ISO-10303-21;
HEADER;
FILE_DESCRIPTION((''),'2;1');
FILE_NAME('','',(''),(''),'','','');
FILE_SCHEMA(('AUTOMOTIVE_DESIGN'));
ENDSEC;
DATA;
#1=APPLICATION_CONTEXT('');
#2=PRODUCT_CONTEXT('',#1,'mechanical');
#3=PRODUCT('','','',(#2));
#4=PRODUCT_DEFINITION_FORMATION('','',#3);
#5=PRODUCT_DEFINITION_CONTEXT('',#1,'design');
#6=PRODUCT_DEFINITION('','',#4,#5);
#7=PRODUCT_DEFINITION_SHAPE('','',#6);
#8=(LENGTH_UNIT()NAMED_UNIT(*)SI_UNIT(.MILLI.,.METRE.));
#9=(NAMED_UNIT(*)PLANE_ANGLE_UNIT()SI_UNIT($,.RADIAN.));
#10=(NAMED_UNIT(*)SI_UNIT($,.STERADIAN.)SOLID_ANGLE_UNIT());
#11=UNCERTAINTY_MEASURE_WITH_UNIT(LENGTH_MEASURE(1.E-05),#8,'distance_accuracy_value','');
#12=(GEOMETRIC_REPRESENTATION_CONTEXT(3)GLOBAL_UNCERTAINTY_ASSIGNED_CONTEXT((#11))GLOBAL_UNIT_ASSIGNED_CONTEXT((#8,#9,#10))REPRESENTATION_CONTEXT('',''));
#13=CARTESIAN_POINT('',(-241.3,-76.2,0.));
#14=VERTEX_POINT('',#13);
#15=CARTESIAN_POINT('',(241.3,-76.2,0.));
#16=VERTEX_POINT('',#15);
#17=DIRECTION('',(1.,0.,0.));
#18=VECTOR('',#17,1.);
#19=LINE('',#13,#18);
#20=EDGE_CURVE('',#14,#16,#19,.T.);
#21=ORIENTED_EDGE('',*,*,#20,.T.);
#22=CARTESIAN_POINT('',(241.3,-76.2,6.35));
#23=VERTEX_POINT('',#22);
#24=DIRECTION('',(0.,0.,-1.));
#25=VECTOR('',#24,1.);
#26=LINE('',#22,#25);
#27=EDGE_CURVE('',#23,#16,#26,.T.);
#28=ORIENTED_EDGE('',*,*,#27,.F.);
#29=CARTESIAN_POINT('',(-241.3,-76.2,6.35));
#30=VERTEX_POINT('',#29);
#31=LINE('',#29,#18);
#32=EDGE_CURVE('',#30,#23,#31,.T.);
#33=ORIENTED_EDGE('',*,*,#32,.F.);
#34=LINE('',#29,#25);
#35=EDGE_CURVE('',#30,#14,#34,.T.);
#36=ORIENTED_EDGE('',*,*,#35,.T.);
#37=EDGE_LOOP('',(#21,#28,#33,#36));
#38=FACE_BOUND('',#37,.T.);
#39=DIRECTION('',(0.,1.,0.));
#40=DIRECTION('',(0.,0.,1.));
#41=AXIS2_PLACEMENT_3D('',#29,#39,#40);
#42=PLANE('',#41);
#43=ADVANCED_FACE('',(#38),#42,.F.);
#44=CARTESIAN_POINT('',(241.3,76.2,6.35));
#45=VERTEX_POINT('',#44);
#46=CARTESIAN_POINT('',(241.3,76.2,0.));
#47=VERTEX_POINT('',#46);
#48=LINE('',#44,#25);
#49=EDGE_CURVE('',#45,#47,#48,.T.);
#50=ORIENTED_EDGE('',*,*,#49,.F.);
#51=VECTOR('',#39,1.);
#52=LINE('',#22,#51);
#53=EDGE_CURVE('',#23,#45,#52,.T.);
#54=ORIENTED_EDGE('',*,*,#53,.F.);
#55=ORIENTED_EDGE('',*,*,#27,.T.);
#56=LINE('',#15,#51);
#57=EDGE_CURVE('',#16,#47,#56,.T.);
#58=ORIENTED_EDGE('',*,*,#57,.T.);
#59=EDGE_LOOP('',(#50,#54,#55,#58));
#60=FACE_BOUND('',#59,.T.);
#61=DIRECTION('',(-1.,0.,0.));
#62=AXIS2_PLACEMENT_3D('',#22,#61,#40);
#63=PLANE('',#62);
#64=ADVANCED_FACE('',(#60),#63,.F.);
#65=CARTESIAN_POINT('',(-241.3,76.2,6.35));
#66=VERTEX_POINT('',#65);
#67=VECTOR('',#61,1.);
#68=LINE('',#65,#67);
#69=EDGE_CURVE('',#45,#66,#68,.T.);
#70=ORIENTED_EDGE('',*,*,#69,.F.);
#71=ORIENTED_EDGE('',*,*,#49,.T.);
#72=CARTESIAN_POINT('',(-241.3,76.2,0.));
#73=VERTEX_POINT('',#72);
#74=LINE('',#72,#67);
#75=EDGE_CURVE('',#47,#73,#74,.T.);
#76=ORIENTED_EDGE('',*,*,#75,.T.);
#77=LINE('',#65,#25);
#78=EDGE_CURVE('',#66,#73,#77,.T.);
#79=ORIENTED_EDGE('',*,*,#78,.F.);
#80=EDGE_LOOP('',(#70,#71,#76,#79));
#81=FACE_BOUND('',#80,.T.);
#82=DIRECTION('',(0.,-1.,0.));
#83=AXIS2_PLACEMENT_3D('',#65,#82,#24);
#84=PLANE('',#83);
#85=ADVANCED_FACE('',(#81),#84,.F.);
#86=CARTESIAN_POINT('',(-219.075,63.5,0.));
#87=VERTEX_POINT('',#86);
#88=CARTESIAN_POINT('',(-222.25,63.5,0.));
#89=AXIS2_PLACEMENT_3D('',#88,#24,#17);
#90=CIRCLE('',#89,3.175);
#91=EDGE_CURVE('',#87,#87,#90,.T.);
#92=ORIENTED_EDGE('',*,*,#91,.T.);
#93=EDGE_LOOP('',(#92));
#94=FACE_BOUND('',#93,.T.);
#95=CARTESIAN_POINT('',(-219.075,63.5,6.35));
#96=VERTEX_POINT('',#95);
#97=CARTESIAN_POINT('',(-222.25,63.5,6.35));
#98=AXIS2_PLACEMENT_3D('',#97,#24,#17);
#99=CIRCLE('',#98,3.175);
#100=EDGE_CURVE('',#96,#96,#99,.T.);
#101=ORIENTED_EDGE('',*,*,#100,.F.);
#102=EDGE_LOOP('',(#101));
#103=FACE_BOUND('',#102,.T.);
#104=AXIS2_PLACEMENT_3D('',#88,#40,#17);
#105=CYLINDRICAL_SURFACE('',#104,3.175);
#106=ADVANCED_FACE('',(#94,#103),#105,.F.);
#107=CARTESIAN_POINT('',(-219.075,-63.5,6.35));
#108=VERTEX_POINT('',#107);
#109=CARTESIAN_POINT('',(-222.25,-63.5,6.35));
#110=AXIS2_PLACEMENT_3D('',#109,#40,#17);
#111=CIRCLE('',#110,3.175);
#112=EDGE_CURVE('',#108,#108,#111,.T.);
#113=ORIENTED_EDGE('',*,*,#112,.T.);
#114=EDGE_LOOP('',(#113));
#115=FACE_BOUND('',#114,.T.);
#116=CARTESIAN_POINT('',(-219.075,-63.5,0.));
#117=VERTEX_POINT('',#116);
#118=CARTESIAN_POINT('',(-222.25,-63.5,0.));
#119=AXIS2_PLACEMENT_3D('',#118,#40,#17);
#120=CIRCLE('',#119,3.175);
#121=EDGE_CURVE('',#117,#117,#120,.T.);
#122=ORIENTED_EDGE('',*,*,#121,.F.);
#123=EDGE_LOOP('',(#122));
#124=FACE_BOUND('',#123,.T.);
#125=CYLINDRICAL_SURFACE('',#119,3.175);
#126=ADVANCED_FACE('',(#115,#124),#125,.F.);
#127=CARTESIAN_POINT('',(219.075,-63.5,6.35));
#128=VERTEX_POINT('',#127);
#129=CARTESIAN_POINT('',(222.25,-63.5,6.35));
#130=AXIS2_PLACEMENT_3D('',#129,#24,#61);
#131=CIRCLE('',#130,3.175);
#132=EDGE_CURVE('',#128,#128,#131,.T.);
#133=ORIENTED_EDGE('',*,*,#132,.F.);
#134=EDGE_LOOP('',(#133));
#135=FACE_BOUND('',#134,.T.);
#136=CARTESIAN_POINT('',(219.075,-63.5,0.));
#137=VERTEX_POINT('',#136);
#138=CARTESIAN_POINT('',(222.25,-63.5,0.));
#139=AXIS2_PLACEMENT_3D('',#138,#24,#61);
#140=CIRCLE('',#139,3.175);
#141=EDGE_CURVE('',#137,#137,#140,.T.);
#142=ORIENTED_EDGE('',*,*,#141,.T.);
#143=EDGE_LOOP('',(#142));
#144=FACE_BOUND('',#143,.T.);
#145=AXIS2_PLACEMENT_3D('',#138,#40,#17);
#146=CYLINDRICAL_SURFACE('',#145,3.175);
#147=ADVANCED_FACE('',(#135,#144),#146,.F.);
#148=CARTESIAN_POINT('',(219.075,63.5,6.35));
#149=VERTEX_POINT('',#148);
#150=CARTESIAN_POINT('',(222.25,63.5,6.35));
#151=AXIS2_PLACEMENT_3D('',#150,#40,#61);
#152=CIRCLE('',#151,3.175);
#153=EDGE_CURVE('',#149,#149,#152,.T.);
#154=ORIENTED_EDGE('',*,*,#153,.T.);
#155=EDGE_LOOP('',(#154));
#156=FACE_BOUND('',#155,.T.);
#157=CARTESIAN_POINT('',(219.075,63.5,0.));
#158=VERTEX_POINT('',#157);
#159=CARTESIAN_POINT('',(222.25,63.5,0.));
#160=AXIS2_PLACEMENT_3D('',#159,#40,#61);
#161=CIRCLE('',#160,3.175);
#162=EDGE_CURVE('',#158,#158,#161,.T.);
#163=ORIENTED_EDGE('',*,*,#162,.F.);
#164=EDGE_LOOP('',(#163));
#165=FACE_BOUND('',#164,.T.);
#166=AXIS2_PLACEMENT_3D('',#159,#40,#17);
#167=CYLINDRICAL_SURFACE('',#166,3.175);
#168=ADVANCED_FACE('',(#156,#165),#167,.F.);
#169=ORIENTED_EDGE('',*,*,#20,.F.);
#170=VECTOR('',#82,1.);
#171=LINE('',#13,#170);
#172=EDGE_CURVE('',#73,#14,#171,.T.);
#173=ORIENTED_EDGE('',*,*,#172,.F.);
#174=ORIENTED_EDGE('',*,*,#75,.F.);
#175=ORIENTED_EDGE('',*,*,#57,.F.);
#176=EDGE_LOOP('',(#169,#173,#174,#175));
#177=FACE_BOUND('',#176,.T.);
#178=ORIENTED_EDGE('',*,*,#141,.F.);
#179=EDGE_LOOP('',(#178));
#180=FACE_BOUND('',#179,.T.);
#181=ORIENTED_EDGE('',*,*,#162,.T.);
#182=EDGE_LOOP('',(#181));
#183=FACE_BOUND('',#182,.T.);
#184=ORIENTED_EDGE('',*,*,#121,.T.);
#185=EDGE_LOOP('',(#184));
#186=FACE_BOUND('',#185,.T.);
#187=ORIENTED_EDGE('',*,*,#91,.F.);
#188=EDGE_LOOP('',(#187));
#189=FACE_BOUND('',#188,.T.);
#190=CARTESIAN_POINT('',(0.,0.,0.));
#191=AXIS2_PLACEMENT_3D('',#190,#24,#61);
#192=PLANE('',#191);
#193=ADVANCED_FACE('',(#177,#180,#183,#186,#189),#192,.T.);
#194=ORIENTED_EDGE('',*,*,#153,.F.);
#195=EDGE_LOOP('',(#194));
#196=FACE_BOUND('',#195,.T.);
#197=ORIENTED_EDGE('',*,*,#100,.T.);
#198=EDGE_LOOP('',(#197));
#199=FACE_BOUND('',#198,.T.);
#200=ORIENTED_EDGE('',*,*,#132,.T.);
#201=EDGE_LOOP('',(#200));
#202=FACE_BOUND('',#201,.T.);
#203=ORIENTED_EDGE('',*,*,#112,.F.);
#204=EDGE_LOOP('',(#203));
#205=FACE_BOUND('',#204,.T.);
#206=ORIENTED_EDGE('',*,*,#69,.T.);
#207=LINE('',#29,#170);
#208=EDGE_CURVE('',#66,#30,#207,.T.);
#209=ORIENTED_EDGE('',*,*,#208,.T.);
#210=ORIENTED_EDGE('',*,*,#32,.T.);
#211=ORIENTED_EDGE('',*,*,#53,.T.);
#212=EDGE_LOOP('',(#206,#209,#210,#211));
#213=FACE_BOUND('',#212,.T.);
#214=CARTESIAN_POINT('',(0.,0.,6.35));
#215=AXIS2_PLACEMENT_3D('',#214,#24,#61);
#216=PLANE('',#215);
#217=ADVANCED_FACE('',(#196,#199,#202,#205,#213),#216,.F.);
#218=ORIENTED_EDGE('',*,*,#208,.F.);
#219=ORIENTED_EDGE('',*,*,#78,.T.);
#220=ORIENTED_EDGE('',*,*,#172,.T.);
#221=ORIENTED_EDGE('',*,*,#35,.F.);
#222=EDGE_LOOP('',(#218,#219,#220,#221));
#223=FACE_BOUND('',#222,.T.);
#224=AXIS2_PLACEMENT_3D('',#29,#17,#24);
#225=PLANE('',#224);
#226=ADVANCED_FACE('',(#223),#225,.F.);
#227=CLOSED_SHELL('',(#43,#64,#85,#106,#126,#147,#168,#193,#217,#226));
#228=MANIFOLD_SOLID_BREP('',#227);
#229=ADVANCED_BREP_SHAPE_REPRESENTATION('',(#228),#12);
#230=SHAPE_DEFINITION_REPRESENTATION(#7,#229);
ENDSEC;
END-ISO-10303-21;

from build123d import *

# Parameters (mm, degrees)
SKETCH1_W                                  = 482.6
SKETCH1_H                                  = 152.4
BOSS_EXTRUDE1_DEPTH                        = 6.35
SKETCH2_R                                  = 3.175
CUT_EXTRUDE1_DEPTH                         = 254.125369136
MIRROR1_AT_THE_SECOND_PLANE_COPY_1_SKETC_R = 3.175
MIRROR1_AT_THE_SECOND_PLANE_COPY_1_DEPTH   = 254.125369136


with BuildPart() as part:
    # Sketch1 → Boss-Extrude1 (new body)
    with BuildSketch(Plane.XY):
        Rectangle(SKETCH1_W, SKETCH1_H)
    extrude(amount=BOSS_EXTRUDE1_DEPTH)

    # Sketch2 → Cut-Extrude1 (cut, through all)
    with BuildSketch(Plane.XY.offset(6.35)):
        with Locations((-222.25, -63.5)):
            Circle(SKETCH2_R)
    cut_extrude1 = extrude(amount=-CUT_EXTRUDE1_DEPTH, mode=Mode.SUBTRACT)

    # Mirror1: Cut-Extrude1 across plane
    add(cut_extrude1.mirror(Plane(origin=(0, 0, 0), x_dir=(0, 0, 1), z_dir=(1, 0, 0))), mode=Mode.SUBTRACT)

    # Mirror1 at the second plane: Cut-Extrude1 across plane
    add(cut_extrude1.mirror(Plane.ZX), mode=Mode.SUBTRACT)

    # Mirror1 at the second plane copy 1 sketc → Mirror1 at the second plane copy 1 (cut, through all)
    with BuildSketch(Plane(origin=(0, 0, 6.35), x_dir=(-1, 0, 0), z_dir=(0, 0, 1))):
        with Locations((-222.25, -63.5)):
            Circle(MIRROR1_AT_THE_SECOND_PLANE_COPY_1_SKETC_R)
    extrude(amount=-MIRROR1_AT_THE_SECOND_PLANE_COPY_1_DEPTH, mode=Mode.SUBTRACT)


solid = part.part
